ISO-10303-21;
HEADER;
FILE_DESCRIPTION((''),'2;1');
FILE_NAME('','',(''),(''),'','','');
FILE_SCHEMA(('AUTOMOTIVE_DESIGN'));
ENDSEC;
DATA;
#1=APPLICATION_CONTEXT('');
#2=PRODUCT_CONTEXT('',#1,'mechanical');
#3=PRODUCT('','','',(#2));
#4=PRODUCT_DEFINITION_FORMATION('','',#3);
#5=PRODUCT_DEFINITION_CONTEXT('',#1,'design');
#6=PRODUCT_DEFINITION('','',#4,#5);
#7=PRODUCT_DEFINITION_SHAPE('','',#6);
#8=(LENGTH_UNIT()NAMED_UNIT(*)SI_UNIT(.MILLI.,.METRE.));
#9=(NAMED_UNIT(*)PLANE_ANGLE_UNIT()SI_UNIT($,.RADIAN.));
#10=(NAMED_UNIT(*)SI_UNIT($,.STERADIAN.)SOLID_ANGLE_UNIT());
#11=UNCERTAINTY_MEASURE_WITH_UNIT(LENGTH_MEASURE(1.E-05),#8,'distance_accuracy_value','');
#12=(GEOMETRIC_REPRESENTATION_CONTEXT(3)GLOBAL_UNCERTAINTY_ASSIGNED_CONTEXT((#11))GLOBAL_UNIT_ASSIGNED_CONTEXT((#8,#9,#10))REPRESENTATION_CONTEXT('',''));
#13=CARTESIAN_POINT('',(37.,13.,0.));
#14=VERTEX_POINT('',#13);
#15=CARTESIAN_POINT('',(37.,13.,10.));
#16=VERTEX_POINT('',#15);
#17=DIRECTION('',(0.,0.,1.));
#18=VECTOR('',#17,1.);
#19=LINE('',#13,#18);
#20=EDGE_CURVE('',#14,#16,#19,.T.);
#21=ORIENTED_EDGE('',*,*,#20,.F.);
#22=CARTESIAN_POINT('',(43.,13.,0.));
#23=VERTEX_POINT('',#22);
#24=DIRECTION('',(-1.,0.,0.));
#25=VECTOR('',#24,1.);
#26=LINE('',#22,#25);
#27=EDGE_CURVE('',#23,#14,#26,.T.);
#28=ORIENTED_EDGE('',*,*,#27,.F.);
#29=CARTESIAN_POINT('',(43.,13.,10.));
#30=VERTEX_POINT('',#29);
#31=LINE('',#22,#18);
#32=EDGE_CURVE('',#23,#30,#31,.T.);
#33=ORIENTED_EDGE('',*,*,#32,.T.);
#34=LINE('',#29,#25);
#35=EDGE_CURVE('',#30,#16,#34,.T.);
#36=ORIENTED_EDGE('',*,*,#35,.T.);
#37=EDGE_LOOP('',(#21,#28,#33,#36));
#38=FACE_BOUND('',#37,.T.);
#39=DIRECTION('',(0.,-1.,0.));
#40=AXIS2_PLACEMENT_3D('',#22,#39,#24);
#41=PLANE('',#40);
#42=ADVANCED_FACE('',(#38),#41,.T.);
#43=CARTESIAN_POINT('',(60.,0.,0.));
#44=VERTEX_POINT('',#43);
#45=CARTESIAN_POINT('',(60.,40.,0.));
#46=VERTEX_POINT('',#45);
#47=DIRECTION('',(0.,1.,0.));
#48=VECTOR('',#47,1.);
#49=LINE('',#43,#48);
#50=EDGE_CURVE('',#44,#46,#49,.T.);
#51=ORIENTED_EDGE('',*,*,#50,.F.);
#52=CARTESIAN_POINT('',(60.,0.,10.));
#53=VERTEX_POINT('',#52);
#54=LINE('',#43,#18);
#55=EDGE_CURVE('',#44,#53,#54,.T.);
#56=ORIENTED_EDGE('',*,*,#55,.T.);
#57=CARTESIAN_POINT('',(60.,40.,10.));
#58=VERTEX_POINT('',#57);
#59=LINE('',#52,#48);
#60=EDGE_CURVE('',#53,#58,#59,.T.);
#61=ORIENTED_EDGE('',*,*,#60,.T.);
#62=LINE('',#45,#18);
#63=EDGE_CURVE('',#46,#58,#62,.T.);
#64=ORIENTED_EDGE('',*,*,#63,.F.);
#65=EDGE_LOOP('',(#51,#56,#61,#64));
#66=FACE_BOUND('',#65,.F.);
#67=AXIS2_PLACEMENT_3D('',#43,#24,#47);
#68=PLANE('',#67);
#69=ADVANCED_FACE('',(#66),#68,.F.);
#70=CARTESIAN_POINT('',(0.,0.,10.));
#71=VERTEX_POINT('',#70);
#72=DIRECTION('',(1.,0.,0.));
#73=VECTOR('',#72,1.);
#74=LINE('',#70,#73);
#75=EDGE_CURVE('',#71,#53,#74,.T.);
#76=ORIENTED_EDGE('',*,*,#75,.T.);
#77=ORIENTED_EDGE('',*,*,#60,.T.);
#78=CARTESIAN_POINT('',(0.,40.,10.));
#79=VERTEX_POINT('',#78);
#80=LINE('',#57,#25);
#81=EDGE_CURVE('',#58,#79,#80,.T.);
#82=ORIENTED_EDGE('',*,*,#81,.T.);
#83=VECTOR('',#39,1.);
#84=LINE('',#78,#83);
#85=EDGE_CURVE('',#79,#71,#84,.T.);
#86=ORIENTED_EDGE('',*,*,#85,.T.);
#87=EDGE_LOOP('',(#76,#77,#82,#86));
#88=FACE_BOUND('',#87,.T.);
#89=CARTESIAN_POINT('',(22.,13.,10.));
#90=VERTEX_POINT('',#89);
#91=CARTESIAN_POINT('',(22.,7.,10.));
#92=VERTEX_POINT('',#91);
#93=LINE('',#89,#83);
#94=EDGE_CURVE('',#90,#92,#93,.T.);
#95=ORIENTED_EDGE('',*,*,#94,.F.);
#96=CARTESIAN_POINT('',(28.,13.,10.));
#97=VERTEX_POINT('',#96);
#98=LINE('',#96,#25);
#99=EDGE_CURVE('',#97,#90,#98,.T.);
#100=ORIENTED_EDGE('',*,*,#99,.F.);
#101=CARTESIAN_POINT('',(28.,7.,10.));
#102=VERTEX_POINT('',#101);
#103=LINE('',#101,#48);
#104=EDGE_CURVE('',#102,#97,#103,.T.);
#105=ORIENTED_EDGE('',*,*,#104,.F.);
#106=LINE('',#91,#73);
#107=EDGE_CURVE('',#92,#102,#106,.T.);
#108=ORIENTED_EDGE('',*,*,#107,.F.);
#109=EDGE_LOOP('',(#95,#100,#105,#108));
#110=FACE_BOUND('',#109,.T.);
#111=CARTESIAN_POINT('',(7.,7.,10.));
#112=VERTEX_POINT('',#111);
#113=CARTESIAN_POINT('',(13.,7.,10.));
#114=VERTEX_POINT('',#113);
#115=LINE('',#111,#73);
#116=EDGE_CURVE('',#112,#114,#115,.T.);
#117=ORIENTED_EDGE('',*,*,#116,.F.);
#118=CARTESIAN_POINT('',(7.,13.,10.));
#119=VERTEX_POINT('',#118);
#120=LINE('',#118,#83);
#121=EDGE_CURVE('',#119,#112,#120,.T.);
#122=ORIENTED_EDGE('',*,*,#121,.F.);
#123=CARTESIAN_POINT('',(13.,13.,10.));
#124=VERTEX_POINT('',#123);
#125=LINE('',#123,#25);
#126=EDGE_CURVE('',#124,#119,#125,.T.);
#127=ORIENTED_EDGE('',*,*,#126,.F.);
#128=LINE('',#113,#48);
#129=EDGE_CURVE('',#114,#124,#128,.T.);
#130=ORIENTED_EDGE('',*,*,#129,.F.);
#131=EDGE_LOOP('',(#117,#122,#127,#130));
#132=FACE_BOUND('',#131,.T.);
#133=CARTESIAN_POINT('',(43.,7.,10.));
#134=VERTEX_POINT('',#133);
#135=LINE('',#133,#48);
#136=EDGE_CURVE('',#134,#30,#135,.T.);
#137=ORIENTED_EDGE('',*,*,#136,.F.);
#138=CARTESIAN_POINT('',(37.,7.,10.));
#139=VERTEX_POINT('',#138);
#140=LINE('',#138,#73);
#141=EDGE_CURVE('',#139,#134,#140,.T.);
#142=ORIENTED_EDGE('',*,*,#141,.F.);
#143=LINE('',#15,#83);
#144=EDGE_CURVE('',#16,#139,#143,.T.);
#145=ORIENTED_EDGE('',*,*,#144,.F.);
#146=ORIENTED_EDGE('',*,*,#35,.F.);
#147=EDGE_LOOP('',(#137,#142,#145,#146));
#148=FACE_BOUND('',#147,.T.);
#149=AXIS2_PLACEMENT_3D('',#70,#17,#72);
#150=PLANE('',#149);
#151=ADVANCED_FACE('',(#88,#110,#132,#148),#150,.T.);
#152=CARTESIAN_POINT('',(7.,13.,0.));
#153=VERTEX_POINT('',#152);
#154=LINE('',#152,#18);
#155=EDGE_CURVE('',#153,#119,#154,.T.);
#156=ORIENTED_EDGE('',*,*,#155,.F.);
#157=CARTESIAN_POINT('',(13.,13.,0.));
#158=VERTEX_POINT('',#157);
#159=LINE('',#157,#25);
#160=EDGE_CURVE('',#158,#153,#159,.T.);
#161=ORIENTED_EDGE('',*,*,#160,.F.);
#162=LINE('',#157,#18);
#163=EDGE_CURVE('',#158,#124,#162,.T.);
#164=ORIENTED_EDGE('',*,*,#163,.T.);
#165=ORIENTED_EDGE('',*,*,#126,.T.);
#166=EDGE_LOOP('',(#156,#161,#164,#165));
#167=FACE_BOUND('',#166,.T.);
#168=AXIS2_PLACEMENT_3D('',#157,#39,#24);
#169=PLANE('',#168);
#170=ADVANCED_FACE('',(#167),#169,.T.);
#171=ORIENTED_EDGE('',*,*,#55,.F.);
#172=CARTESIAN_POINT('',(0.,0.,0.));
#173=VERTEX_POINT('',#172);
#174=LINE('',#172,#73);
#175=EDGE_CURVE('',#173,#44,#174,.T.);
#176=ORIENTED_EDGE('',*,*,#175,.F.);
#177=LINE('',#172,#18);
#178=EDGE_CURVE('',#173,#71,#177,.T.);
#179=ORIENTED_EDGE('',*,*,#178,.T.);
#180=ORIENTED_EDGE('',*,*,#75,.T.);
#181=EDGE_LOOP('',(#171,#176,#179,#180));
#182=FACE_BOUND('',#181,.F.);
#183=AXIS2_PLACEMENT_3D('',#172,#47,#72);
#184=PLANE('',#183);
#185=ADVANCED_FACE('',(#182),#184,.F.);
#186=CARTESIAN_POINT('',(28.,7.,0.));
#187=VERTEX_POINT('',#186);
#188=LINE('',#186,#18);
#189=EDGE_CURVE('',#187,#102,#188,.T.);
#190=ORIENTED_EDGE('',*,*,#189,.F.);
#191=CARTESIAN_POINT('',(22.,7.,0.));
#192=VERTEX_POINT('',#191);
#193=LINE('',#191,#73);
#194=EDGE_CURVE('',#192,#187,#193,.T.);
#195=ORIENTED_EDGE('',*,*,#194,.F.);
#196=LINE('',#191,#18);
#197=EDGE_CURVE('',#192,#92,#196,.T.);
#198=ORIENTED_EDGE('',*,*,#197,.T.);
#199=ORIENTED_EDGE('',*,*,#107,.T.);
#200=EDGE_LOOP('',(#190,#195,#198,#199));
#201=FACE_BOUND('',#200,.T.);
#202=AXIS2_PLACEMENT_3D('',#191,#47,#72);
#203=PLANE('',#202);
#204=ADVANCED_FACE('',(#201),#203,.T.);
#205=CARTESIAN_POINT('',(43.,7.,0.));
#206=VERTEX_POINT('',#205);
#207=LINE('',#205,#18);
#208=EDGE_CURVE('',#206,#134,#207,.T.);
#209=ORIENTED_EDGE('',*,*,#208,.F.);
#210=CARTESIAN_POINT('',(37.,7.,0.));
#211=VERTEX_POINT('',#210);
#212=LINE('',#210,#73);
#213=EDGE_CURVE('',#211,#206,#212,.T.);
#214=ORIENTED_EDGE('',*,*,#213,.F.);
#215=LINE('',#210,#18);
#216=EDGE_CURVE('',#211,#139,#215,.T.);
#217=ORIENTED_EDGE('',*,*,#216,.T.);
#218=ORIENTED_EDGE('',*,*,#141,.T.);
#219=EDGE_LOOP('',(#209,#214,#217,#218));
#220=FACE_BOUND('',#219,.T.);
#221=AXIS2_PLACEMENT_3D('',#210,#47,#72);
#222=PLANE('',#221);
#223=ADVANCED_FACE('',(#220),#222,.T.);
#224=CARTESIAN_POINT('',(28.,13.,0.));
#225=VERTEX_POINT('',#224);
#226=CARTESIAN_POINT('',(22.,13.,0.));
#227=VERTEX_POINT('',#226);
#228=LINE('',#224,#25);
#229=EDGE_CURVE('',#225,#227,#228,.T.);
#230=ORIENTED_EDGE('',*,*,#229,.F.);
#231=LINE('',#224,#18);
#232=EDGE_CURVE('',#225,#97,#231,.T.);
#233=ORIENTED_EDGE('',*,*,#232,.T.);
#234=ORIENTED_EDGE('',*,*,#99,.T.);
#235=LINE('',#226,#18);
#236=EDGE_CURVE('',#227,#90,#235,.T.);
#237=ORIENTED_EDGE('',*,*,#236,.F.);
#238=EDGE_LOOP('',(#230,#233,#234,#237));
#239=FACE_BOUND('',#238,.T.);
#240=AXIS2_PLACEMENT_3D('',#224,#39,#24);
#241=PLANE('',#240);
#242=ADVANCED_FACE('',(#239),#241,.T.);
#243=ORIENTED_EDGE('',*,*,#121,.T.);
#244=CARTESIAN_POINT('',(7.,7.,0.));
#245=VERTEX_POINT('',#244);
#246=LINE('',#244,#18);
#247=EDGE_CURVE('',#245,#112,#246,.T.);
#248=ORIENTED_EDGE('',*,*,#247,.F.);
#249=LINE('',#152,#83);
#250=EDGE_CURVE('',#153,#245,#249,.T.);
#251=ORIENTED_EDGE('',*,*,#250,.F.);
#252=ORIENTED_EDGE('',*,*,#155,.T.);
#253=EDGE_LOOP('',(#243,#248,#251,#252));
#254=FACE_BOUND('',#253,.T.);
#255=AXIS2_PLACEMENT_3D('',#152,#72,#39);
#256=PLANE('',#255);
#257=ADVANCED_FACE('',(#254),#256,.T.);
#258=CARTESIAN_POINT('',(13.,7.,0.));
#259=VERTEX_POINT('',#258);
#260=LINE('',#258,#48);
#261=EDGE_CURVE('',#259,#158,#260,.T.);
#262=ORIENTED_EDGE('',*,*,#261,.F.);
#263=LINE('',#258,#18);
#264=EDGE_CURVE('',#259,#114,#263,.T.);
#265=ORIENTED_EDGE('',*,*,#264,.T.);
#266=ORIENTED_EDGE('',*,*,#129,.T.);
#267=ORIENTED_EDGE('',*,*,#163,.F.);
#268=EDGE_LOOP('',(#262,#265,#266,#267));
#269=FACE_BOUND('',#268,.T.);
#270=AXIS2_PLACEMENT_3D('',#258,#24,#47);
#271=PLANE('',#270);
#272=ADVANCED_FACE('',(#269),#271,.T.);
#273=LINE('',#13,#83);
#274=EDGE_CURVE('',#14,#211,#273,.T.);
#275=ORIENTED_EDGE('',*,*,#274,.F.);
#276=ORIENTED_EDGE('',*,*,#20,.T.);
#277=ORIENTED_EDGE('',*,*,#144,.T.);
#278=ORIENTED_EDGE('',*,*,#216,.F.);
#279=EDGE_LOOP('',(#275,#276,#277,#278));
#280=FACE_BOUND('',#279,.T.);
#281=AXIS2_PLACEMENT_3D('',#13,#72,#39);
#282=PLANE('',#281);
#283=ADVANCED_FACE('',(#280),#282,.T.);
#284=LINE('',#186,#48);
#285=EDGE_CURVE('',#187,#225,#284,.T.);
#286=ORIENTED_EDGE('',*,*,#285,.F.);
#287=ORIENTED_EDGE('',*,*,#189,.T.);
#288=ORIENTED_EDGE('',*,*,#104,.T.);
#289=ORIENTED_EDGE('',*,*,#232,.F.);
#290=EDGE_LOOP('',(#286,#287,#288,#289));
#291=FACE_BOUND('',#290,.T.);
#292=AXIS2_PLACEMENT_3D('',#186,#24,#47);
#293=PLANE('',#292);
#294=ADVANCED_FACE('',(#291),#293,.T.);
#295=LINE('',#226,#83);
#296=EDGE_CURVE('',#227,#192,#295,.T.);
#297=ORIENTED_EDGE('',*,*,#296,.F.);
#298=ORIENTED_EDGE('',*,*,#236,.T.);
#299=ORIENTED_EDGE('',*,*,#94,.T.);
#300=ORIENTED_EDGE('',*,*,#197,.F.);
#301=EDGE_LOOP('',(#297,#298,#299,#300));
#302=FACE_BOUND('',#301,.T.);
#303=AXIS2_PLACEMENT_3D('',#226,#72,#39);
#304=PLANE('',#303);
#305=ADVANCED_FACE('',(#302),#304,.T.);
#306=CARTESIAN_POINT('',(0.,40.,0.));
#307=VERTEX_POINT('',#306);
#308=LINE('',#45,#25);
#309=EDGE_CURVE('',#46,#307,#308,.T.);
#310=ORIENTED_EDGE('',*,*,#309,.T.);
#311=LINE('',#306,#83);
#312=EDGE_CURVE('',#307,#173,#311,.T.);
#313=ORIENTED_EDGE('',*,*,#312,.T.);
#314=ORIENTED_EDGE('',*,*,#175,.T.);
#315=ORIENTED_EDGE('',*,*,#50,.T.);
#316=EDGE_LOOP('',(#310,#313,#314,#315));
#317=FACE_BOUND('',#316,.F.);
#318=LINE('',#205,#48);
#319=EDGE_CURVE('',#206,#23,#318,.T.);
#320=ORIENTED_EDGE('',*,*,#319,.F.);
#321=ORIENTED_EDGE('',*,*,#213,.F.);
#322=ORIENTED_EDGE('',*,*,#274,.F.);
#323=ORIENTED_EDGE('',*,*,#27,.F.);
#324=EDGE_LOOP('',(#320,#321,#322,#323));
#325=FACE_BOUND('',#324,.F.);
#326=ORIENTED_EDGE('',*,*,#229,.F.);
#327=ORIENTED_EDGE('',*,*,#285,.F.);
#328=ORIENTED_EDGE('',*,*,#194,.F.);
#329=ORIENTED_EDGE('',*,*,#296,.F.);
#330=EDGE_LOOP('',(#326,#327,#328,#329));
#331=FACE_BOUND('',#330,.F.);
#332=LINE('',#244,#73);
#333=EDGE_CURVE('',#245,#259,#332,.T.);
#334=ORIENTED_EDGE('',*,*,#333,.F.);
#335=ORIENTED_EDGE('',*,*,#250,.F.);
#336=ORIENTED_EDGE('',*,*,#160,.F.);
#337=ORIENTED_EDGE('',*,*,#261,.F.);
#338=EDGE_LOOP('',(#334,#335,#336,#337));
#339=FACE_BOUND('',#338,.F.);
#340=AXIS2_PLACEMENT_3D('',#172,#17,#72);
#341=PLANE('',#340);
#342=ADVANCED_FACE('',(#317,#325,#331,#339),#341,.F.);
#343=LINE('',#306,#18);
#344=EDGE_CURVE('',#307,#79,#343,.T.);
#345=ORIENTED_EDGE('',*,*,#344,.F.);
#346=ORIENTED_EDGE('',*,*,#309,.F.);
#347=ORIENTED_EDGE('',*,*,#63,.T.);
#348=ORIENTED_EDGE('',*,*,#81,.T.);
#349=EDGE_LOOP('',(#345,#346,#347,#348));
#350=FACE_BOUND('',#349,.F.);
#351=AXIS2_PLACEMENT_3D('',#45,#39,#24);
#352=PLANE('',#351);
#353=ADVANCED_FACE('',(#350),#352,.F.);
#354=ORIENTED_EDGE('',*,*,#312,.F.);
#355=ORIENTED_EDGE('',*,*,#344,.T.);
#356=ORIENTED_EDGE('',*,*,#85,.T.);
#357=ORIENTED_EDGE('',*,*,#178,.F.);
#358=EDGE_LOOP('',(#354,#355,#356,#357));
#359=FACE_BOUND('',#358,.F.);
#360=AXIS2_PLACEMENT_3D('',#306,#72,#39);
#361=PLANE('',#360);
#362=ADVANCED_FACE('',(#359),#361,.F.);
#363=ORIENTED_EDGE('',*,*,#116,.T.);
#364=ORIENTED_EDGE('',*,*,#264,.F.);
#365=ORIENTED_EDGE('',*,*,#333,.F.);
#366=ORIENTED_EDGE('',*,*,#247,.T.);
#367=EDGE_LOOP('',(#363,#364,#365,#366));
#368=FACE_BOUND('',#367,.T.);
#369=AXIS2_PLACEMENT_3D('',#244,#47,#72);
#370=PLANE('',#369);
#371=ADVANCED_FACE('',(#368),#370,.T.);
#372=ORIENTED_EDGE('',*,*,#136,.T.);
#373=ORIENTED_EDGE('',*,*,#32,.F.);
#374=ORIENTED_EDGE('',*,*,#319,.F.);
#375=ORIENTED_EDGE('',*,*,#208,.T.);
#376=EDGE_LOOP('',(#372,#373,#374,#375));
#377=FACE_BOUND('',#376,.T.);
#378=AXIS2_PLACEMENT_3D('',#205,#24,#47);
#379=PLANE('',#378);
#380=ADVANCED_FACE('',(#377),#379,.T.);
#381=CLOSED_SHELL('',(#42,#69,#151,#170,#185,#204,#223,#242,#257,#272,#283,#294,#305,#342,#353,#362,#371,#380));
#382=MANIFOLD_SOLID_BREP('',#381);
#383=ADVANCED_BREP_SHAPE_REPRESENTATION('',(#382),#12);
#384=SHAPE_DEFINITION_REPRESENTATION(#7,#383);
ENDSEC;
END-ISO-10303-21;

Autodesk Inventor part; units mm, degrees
ref_plane "YZ Plane" through (0, 0, 0) normal (1, 0, 0) x (0, 1, 0)
ref_plane "XZ Plane" through (0, 0, 0) normal (0, 1, 0) x (-1, 0, 0)
ref_plane "XY Plane" through (0, 0, 0) normal (0, 0, 1) x (1, 0, 0)
sketch "Sketch1" plane through (0, 0, 0) normal (0, 0, 1) x (1, 0, 0)
  line L0 (0, 0) -> (60, 0)
  line L1 (60, 0) -> (60, 40)
  line L2 (60, 40) -> (0, 40)
  line L3 (0, 40) -> (0, 0)
extrude "Extrusion1" add sketch "Sketch1" along normal blind 10
sketch "Sketch2" plane through (0, 0, 0) normal (0, 0, 1) x (1, 0, 0)
  line L0 (7, 7) -> (13, 7)
  line L1 (13, 7) -> (13, 13)
  line L2 (13, 13) -> (7, 13)
  line L3 (7, 13) -> (7, 7)
extrude "Extrusion2" cut sketch "Sketch2" along normal blind 10
pattern_linear "Rectangular Pattern1" count 3 spacing 15 along (1, 0, 0) of "Extrusion2"
properties part number "21_pocket_rect"
